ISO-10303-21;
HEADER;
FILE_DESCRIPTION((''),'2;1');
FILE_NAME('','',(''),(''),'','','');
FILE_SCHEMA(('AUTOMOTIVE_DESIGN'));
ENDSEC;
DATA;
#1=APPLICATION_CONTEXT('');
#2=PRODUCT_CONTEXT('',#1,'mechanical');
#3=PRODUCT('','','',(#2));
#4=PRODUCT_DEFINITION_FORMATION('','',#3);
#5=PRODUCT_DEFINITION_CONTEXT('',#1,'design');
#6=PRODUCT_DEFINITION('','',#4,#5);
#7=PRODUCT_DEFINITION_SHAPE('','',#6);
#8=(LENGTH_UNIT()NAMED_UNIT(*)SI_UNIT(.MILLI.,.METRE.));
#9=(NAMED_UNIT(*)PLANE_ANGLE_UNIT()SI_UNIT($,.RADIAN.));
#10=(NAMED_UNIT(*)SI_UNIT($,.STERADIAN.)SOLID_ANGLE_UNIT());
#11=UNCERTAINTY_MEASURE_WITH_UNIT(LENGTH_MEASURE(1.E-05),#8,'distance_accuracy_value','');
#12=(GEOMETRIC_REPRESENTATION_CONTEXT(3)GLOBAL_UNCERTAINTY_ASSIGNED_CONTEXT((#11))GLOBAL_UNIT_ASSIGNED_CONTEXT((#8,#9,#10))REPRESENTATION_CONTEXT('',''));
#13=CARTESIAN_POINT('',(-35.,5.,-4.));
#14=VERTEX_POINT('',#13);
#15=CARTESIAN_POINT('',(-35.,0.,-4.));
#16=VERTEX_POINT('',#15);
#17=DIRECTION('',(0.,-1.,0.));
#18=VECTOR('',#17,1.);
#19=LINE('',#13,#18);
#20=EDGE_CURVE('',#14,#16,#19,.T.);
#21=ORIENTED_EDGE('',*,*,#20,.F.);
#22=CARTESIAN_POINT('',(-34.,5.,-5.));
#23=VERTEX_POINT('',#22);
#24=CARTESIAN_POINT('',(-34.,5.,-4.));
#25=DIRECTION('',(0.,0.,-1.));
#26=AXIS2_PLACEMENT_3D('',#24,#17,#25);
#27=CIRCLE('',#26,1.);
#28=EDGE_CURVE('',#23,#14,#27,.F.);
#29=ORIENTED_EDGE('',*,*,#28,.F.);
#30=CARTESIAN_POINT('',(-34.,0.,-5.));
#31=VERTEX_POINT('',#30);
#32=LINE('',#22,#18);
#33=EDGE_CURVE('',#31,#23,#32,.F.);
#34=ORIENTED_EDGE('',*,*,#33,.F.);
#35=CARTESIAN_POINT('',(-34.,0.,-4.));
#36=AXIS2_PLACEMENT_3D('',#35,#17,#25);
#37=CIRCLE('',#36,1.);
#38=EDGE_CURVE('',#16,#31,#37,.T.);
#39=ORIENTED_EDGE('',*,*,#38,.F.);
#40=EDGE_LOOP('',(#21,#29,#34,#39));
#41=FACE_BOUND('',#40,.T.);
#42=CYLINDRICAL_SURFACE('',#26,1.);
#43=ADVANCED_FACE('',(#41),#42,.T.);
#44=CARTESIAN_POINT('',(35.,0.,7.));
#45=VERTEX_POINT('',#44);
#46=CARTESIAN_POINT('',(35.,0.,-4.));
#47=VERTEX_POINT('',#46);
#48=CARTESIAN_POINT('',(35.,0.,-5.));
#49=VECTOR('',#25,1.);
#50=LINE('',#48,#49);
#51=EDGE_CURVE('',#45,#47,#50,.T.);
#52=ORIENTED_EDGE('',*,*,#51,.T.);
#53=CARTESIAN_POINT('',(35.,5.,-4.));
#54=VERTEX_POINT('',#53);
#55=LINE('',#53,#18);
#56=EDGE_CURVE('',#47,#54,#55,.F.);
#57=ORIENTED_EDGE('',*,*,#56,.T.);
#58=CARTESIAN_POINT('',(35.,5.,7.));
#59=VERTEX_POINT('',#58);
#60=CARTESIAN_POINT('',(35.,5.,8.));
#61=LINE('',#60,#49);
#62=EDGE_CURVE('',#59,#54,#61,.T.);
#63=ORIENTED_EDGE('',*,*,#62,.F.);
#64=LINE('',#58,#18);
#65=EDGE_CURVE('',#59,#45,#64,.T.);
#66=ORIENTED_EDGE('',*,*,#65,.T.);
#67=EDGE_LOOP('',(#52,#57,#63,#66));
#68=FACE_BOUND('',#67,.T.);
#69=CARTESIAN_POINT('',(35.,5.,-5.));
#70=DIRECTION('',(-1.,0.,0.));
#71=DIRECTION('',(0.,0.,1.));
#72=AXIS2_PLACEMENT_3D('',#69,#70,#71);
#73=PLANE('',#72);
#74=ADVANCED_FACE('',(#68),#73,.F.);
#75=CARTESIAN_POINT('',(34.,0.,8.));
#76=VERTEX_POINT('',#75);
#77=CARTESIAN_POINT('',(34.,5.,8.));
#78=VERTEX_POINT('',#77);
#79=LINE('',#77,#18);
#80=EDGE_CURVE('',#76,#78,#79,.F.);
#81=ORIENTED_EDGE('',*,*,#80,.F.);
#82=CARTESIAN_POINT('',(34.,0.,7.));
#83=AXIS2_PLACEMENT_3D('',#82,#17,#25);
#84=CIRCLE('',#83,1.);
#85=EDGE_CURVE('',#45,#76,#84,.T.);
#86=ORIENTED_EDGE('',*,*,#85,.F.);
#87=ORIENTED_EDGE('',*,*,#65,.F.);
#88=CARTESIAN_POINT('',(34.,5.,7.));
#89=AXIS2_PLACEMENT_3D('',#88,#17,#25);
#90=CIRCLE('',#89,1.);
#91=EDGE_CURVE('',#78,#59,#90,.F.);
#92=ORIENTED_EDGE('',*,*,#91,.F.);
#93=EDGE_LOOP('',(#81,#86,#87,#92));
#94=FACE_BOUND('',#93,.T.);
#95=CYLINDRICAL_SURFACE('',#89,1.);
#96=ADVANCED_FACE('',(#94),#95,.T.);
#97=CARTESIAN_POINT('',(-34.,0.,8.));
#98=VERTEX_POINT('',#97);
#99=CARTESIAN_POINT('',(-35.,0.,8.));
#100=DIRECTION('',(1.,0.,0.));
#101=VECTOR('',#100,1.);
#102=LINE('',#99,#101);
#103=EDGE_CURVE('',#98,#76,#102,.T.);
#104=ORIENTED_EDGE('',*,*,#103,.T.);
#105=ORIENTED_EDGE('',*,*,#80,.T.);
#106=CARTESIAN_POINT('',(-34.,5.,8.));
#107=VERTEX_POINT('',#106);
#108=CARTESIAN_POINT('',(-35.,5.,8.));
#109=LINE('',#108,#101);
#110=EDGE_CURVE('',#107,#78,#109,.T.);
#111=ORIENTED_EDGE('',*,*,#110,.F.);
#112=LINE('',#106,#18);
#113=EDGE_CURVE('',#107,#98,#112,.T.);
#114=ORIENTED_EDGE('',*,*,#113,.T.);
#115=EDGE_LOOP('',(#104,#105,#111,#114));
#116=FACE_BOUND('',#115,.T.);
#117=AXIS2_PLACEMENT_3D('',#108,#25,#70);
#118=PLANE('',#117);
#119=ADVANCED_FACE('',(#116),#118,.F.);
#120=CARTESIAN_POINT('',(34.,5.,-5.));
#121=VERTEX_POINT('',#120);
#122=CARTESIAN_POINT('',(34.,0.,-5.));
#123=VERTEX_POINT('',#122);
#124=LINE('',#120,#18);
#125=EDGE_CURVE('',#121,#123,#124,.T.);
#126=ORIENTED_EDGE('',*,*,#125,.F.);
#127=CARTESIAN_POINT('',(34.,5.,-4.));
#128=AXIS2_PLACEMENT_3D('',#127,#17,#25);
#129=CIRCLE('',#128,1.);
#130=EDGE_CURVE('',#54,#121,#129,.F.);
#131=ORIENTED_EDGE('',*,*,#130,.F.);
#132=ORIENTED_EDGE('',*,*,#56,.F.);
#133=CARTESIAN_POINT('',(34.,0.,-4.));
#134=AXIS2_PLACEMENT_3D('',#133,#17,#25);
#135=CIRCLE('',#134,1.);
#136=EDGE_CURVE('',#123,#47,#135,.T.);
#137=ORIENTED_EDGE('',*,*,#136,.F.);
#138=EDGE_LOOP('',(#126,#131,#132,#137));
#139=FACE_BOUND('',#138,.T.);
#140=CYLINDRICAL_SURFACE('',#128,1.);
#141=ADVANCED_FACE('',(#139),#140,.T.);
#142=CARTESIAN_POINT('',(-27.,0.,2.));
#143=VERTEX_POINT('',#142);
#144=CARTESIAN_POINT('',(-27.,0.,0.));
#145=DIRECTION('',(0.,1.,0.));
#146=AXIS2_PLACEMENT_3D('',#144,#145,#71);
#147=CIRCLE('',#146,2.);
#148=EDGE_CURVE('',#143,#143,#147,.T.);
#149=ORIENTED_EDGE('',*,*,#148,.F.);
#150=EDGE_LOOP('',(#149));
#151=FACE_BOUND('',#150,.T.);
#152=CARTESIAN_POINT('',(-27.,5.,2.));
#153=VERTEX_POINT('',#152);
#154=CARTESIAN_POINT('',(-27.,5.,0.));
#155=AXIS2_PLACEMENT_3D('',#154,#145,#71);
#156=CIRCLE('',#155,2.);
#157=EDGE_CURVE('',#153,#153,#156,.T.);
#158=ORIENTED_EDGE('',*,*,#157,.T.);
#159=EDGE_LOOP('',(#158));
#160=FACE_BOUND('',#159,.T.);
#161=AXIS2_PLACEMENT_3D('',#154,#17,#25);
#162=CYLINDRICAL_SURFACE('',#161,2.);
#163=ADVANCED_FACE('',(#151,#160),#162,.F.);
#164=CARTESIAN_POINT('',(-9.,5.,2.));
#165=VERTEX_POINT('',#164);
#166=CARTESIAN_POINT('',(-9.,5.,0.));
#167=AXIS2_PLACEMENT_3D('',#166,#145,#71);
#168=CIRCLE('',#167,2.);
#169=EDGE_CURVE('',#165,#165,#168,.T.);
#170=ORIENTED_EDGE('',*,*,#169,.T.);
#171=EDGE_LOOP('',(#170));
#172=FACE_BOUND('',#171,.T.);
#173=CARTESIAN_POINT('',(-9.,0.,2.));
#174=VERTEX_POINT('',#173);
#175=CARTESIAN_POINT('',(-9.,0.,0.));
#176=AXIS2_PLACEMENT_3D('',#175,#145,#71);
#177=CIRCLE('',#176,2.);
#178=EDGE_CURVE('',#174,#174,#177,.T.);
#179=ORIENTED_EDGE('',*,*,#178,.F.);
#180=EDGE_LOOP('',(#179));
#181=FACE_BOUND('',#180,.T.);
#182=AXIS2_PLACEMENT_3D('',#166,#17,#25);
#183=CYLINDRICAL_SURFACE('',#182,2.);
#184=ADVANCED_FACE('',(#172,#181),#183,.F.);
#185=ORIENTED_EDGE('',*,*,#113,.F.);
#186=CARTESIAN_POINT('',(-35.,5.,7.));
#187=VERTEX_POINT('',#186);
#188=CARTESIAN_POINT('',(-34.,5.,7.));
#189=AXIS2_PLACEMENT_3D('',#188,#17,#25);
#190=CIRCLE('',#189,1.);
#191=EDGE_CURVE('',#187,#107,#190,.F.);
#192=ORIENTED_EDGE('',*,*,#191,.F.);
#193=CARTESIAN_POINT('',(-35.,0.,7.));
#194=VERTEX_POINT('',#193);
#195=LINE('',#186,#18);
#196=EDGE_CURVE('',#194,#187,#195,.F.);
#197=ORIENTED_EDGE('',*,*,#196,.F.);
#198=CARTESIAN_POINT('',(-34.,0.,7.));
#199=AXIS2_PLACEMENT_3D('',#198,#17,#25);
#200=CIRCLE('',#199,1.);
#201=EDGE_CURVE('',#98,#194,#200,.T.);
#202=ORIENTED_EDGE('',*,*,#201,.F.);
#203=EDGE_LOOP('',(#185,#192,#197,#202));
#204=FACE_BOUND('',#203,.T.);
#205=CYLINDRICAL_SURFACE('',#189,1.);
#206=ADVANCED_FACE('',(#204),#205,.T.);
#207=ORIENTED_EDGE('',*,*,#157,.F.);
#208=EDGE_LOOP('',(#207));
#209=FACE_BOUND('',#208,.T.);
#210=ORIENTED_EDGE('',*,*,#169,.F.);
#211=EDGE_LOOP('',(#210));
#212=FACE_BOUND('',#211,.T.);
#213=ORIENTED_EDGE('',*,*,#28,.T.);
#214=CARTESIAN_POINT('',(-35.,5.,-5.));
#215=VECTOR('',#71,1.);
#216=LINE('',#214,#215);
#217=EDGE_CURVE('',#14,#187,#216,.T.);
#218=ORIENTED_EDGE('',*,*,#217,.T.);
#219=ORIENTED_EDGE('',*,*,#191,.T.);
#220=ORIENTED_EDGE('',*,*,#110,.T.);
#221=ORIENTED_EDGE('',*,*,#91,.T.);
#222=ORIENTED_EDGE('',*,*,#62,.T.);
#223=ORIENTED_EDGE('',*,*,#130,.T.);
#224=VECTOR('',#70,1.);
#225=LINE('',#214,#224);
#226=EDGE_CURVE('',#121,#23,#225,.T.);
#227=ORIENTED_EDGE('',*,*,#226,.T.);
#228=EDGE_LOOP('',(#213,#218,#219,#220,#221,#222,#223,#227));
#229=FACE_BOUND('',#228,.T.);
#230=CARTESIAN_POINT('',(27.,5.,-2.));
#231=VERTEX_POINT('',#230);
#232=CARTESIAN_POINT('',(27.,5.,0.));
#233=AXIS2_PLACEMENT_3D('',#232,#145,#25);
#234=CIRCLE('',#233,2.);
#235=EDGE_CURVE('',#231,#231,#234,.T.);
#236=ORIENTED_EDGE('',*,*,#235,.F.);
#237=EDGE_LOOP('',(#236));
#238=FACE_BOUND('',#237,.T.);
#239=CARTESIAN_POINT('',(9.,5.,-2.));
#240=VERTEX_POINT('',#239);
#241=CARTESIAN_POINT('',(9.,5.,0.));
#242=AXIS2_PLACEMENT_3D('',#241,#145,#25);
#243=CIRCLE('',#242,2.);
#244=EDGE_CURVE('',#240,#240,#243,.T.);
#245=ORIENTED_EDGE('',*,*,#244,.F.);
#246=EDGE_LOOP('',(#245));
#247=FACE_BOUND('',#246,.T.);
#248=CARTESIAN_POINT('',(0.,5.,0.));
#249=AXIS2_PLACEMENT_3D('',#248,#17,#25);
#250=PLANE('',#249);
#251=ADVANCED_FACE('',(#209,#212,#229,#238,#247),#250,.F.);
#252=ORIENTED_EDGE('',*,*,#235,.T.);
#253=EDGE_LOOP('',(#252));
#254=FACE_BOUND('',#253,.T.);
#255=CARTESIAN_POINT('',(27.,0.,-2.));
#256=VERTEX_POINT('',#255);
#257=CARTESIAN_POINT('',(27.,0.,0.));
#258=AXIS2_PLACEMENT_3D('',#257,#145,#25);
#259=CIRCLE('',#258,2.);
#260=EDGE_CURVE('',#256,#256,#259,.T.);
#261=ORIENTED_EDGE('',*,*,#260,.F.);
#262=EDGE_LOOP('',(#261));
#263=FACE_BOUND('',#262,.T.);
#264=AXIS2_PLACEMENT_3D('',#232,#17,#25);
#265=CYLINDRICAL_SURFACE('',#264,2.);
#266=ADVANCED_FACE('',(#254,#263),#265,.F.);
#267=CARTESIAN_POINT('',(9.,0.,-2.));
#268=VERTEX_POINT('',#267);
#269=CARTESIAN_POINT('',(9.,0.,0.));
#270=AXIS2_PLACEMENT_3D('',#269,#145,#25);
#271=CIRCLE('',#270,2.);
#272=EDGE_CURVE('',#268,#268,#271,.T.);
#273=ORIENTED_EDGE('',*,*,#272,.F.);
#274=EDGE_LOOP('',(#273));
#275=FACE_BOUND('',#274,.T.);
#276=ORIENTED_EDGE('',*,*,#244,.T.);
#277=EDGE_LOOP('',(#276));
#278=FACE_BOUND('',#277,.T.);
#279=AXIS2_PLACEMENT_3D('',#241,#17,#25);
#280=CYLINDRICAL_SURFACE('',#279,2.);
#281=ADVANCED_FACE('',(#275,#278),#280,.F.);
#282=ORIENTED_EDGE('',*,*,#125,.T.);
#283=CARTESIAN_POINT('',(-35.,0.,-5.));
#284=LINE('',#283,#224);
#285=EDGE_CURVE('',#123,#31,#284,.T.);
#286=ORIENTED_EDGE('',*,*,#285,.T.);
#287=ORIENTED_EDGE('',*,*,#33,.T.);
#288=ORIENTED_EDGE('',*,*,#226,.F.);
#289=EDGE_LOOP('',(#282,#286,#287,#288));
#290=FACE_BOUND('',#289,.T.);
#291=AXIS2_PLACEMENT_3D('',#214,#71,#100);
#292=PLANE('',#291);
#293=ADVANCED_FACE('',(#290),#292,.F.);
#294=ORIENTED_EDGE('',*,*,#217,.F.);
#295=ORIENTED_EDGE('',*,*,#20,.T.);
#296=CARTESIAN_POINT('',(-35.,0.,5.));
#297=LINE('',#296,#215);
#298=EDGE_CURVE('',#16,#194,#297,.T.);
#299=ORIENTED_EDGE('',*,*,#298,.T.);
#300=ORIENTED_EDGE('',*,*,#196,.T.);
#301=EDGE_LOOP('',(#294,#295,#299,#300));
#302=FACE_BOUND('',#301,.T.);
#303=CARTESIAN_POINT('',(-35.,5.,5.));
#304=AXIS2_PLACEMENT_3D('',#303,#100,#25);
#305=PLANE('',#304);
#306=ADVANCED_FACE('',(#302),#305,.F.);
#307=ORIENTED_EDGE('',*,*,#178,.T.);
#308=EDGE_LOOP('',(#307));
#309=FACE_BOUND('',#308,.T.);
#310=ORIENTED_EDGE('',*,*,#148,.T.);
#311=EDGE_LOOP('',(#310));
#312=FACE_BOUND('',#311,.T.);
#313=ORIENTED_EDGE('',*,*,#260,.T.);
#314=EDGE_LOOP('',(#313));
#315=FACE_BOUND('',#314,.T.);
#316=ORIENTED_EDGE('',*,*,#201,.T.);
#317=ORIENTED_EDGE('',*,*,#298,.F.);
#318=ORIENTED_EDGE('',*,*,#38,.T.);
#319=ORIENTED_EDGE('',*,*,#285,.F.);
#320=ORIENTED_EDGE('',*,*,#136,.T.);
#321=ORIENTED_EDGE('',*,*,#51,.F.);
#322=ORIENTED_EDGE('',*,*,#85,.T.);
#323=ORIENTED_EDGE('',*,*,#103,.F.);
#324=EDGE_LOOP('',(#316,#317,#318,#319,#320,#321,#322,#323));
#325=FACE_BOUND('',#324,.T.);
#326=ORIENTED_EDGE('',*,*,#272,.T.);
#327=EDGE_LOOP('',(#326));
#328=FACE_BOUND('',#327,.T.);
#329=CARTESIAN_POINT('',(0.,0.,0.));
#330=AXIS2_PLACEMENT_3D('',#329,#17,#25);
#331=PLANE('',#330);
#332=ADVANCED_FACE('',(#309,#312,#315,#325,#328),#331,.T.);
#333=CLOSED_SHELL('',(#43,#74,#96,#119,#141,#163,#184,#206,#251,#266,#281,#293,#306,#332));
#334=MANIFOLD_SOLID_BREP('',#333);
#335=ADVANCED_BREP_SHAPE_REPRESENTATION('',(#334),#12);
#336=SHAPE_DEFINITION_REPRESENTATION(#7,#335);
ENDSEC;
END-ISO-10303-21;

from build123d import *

# Parameters (mm, degrees)
SKETCH_1_R      = 2
EXTRUDE_1_DEPTH = 5
FILLET_1_R      = 1


with BuildPart() as part:
    # 草图1 → 凸台-拉伸1 (new body)
    with BuildSketch(Plane(origin=(0, 0, 0), x_dir=(1, 0, 0), z_dir=(0, 1, 0))):
        Polygon((-35, 5), (35, 5), (35, -5), (35, -8), (-35, -8), (-35, -5), align=None)
        with Locations(Location((-27, 0, 0), (0, 0, 270))):
            Circle(SKETCH_1_R, mode=Mode.SUBTRACT)
        with Locations(Location((-9, 0, 0), (0, 0, 270))):
            Circle(SKETCH_1_R, mode=Mode.SUBTRACT)
        with Locations(Location((9, 0, 0), (0, 0, 90))):
            Circle(SKETCH_1_R, mode=Mode.SUBTRACT)
        with Locations(Location((27, 0, 0), (0, 0, 90))):
            Circle(SKETCH_1_R, mode=Mode.SUBTRACT)
    extrude(amount=EXTRUDE_1_DEPTH)

    # 圆角1
    fillet_1_edges = [part.edges().sort_by_distance(p)[0] for p in [
        (35, 2.5, 8),
        (-35, 2.5, 8),
        (-35, 2.5, -5),
        (35, 2.5, -5),
    ]]
    fillet(fillet_1_edges, radius=FILLET_1_R)


solid = part.part
